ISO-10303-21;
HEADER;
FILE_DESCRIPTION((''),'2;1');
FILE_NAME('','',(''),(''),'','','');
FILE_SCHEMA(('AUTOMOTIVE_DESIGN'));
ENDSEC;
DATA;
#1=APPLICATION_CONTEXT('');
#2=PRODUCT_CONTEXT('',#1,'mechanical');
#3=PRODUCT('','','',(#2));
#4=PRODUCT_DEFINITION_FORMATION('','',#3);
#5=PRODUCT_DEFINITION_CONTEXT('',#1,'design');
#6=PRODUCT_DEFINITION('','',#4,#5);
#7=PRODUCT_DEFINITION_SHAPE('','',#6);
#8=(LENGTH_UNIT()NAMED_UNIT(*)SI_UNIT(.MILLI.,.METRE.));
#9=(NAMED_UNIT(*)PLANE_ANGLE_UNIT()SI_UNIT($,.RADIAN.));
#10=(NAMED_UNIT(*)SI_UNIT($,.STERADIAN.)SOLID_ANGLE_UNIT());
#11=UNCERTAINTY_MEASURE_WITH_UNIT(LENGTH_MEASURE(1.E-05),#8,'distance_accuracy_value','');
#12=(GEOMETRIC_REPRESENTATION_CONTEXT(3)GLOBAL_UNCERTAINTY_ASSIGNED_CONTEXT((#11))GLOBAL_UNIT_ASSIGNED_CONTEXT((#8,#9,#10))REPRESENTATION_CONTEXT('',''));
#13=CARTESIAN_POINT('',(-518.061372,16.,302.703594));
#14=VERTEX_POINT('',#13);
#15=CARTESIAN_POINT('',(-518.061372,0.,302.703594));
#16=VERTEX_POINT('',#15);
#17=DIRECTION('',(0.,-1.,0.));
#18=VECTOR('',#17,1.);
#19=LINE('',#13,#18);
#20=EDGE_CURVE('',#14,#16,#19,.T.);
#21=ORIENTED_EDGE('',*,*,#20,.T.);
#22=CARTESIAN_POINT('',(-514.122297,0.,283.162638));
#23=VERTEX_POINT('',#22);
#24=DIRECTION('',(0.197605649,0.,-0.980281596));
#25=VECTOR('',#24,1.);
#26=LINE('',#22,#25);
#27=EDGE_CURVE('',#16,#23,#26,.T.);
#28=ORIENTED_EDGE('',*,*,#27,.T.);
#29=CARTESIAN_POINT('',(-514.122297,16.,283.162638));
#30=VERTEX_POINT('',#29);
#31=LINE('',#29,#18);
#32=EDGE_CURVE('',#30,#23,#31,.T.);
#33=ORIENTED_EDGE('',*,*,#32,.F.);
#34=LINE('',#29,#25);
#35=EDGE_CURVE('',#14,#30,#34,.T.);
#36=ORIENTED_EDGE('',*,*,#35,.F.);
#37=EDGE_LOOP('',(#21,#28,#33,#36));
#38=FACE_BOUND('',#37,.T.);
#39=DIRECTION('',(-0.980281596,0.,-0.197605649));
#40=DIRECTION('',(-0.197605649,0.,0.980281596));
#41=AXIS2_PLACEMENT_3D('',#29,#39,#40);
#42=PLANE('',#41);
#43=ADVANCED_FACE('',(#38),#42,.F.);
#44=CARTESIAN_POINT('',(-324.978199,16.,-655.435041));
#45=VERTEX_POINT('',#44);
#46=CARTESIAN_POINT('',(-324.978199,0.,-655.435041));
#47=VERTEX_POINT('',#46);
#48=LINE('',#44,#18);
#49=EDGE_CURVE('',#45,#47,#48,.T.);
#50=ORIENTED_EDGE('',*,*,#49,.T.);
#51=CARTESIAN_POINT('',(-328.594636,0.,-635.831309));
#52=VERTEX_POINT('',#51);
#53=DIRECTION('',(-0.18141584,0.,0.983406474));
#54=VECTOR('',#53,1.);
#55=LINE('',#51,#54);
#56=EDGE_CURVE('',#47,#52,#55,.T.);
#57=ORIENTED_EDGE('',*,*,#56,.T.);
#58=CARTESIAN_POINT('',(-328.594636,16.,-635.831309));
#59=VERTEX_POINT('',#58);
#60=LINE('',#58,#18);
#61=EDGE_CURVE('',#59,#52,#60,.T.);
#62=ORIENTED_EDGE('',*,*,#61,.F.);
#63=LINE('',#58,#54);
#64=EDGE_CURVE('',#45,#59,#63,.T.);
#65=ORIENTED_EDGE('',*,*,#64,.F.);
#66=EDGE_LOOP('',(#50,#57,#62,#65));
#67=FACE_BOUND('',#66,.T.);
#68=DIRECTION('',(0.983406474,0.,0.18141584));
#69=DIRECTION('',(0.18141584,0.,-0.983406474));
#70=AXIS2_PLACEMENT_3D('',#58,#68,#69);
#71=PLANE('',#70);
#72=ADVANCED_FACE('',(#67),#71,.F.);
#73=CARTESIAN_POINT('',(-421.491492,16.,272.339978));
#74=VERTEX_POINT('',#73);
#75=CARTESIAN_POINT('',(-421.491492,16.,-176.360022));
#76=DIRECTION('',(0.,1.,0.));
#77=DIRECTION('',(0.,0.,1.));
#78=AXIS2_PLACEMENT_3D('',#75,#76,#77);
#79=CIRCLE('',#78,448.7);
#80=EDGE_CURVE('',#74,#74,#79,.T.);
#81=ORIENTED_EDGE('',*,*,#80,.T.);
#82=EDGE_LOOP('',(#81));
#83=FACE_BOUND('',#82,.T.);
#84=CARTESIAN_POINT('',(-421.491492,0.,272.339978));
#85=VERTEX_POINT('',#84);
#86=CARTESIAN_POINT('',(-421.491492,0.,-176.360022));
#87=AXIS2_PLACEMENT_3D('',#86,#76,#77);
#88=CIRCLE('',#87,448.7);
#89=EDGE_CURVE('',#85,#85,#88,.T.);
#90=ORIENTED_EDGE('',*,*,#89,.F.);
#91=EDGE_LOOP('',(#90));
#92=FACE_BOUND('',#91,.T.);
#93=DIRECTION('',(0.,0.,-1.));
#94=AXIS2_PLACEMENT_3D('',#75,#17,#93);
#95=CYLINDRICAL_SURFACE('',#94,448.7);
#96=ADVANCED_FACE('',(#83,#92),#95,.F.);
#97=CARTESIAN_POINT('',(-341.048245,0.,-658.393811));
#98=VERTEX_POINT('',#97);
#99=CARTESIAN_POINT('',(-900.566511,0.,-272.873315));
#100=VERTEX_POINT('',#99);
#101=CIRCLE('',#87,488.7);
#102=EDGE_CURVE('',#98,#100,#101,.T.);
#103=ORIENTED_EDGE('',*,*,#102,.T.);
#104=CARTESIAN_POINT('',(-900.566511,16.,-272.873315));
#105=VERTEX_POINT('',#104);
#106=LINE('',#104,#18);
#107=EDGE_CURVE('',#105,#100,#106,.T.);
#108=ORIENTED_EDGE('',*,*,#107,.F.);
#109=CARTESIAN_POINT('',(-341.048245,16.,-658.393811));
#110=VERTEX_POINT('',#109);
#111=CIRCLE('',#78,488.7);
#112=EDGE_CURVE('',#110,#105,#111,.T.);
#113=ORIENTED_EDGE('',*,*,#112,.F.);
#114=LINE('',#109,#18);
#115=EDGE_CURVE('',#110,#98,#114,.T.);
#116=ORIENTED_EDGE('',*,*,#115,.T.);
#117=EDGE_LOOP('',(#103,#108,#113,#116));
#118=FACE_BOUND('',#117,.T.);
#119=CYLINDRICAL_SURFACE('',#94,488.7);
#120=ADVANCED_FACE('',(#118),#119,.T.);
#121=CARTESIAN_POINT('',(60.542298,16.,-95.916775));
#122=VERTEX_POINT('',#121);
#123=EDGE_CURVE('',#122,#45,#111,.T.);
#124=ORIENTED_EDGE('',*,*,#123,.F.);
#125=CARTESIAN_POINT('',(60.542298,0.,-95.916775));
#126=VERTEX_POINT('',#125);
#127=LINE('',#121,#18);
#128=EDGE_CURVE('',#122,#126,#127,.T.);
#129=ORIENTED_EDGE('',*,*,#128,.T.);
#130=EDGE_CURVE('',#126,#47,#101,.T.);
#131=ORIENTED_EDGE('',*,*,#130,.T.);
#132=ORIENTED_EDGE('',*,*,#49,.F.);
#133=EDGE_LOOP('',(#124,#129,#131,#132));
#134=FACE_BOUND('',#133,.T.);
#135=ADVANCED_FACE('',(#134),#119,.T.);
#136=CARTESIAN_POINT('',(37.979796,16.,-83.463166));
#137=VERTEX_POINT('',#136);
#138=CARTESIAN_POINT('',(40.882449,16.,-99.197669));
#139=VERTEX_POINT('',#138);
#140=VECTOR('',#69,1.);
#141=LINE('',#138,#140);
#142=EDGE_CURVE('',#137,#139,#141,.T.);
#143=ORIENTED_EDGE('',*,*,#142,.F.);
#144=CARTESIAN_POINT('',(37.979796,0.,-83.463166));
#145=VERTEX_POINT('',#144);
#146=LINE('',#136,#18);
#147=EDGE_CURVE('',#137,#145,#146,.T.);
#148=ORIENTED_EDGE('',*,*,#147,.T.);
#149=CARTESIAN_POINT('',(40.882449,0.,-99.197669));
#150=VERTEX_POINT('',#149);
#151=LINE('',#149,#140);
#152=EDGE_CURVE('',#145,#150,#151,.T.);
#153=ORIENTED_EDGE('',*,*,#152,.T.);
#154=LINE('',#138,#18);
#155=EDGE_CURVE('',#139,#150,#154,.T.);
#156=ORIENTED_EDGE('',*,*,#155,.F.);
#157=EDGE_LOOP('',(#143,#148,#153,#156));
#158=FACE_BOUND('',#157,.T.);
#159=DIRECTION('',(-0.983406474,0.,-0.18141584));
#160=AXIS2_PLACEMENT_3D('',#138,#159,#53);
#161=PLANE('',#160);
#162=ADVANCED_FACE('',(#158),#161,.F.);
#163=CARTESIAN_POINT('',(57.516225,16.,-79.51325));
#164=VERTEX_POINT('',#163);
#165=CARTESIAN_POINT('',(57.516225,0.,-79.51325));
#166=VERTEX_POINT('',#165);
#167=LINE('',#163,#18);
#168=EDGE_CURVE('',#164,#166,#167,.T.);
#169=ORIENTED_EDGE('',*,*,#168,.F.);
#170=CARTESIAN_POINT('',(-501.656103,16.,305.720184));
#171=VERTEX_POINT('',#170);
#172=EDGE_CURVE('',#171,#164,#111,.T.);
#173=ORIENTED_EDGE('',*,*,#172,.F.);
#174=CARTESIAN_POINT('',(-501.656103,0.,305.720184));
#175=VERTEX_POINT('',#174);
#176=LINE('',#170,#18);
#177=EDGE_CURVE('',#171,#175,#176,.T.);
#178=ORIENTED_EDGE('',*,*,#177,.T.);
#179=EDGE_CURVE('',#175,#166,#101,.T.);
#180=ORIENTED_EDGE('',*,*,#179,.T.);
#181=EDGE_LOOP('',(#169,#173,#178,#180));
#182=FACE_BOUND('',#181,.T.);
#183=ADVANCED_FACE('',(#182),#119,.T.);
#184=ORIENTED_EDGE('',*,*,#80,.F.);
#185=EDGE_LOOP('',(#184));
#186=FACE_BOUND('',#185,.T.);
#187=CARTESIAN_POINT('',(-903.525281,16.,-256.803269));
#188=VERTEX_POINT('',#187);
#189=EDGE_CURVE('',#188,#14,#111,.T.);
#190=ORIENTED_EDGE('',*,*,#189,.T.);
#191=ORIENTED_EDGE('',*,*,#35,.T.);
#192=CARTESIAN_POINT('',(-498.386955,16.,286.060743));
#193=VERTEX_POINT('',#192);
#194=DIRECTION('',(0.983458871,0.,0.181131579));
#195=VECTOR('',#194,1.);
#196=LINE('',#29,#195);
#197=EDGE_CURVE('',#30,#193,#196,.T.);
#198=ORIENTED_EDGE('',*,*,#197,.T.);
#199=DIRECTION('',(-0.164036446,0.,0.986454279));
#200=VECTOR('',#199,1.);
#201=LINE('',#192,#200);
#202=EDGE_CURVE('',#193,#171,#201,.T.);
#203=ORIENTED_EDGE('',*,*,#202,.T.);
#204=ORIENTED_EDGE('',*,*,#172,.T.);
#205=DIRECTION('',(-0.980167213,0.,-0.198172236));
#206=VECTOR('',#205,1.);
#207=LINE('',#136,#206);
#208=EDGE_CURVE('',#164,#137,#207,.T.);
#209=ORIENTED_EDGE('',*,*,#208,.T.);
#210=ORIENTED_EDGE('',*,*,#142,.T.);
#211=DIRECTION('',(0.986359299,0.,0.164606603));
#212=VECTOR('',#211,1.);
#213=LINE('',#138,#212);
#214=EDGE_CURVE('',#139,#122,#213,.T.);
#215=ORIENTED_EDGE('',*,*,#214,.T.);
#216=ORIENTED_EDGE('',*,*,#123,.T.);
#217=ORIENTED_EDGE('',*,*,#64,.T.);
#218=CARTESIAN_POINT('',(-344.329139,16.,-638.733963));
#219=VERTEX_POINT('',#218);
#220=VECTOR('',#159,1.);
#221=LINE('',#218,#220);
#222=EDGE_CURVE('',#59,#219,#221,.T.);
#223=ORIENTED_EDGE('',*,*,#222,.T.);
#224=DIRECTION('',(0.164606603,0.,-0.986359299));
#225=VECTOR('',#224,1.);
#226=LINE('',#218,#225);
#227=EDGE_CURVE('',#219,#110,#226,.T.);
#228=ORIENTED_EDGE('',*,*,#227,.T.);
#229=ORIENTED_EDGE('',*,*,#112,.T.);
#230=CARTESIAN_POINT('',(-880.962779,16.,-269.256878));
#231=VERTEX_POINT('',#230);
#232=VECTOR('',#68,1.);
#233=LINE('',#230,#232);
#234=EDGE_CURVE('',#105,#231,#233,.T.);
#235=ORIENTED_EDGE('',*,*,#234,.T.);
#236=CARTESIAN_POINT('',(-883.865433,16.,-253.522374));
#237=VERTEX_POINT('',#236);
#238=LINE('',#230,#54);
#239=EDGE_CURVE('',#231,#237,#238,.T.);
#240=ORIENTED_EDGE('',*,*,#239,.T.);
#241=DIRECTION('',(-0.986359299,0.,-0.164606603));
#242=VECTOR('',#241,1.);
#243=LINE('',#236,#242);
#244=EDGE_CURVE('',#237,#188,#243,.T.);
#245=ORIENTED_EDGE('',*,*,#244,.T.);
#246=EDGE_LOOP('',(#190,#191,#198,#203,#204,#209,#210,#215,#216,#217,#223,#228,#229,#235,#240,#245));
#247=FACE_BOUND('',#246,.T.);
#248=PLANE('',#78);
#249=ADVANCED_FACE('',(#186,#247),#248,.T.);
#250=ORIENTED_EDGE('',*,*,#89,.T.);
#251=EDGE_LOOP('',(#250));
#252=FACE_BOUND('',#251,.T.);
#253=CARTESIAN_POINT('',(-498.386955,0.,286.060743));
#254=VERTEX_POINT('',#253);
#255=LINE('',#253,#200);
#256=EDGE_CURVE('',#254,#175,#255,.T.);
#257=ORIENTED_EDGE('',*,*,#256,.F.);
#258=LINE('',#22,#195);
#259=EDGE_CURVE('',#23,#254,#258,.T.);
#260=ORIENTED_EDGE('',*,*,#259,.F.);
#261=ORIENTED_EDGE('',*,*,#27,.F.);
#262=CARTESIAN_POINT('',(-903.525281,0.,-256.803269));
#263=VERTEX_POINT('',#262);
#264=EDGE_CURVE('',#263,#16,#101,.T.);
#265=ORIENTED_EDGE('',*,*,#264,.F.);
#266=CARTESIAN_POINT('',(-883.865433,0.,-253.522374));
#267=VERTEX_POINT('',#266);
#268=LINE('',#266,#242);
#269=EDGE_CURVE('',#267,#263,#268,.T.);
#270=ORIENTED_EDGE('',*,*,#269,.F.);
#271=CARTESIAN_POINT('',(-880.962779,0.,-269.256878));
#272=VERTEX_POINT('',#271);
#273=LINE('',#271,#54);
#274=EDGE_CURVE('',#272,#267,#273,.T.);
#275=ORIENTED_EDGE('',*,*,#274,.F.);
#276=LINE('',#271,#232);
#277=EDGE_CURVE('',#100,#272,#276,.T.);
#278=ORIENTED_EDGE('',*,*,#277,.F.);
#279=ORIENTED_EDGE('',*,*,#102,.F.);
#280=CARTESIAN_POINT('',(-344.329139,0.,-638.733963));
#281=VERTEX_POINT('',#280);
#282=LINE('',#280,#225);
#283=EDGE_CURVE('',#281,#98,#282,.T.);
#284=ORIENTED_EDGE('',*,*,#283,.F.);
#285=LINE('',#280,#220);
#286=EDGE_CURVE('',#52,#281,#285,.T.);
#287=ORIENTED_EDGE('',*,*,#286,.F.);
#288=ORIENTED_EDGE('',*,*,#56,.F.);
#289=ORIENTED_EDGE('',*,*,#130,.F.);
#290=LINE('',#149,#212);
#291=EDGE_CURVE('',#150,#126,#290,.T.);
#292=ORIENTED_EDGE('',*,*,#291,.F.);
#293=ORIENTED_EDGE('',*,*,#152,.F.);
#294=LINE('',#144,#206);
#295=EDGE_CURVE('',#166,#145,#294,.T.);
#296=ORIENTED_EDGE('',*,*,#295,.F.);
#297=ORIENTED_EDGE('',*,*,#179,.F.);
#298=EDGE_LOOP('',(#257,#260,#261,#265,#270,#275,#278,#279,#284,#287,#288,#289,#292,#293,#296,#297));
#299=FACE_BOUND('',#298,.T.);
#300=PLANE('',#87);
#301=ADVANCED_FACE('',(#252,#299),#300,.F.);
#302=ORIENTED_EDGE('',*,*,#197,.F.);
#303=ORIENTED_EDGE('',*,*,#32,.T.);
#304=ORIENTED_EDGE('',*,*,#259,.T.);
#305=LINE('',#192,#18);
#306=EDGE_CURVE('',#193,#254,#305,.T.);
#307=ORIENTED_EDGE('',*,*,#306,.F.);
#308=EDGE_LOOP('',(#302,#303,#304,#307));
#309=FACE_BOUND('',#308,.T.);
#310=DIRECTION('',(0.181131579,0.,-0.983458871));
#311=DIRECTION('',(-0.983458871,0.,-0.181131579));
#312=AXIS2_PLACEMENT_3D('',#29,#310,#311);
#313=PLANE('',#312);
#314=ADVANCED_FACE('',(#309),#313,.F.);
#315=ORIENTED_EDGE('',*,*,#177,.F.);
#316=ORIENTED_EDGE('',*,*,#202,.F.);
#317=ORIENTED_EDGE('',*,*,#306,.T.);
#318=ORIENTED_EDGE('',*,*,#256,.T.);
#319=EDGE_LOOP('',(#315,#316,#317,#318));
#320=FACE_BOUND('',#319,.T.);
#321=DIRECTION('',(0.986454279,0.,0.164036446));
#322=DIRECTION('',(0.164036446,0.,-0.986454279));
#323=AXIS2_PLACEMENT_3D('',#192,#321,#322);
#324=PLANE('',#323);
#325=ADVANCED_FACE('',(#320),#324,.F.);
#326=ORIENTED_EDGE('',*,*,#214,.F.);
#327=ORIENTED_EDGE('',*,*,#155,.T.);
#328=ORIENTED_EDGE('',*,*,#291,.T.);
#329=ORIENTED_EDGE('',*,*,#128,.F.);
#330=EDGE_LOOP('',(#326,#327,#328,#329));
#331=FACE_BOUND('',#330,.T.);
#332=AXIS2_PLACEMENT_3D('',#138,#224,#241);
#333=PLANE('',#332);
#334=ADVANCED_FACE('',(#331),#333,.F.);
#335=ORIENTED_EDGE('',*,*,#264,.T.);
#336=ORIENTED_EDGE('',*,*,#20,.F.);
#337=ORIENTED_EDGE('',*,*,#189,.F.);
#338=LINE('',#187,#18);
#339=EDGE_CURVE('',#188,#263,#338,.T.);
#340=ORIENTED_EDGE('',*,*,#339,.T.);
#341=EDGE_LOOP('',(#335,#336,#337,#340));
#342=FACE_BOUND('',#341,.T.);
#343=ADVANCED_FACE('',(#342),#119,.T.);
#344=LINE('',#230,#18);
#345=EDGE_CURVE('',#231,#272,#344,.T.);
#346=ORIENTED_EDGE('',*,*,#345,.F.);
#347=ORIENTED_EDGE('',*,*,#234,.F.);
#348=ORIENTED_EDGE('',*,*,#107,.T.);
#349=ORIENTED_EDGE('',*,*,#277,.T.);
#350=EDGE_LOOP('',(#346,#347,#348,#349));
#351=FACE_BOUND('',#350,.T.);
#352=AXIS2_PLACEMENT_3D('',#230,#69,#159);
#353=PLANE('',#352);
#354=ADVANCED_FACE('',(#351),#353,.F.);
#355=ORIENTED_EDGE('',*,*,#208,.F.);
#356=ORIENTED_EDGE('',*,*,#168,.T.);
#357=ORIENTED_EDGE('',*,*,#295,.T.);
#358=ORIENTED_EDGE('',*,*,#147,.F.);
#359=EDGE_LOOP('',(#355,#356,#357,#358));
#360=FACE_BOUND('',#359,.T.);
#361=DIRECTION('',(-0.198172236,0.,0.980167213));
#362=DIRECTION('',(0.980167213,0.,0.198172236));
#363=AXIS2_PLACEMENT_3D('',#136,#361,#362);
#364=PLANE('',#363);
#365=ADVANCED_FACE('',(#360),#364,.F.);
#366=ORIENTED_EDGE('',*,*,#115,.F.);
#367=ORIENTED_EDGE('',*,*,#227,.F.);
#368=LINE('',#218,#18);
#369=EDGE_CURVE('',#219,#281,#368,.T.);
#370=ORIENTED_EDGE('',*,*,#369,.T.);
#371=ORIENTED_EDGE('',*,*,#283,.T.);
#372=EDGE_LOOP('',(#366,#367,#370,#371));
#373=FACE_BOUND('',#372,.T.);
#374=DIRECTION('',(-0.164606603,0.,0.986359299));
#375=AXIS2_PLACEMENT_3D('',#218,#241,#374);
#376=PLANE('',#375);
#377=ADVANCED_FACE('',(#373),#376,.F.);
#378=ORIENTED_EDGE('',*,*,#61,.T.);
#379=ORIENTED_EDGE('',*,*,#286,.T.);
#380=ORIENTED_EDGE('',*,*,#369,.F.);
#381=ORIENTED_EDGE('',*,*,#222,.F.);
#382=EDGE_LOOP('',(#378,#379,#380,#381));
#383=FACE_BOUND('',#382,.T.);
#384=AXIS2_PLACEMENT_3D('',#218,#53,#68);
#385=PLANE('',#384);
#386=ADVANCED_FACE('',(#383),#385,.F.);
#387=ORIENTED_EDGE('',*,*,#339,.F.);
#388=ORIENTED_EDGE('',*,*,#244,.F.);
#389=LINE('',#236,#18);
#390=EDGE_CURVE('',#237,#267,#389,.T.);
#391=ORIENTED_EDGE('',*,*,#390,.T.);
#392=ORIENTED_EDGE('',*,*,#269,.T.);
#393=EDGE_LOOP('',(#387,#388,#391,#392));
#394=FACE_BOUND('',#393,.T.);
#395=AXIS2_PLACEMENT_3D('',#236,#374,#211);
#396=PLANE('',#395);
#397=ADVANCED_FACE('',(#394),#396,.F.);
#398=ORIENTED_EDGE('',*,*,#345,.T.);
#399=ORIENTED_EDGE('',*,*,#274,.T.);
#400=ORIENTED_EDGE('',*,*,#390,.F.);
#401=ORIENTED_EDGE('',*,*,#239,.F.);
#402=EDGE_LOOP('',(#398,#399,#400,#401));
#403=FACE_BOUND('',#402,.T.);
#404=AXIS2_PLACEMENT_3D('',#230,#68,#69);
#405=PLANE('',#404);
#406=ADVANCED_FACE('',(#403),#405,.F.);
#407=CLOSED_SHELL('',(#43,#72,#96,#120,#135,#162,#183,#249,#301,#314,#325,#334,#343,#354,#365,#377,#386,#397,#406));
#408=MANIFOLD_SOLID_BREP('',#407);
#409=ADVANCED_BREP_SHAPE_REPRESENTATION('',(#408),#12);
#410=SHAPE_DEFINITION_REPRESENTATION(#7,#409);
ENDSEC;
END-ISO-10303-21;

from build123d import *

# Parameters (mm, degrees)
SKETCH_1_R      = 448.7
EXTRUDE_2_DEPTH = 16


with BuildPart() as part:
    # Эскиз1 → Бобышка-Вытянуть2 (new body)
    with BuildSketch(Plane(origin=(0, 0, 0), x_dir=(1, 0, 0), z_dir=(0, 1, 0))):
        with BuildLine():
            Line((-344.32913914, 638.733962842), (-328.594635558, 635.831309398))
            Line((-328.594635558, 635.831309398), (-324.978198629, 655.435041258))
            ThreePointArc((-324.978198629, 655.435041258), (-19.068388145, 453.638466212), (60.542297577, 95.916774711))
            Line((60.542297577, 95.916774711), (40.882449344, 99.197669255))
            Line((40.882449344, 99.197669255), (37.979795899, 83.463165673))
            Line((37.979795899, 83.463165673), (57.516225139, 79.513249965))
            ThreePointArc((57.516225139, 79.513249965), (-144.23681545, -226.079457497), (-501.65610266, -305.720184329))
            Line((-501.65610266, -305.720184329), (-498.386954822, -286.060743027))
            Line((-498.386954822, -286.060743027), (-514.12229676, -283.162637766))
            Line((-514.12229676, -283.162637766), (-518.061372416, -302.703594153))
            ThreePointArc((-518.061372416, -302.703594153), (-823.9309706, -100.894655009), (-903.52528096, 256.803268902))
            Line((-903.52528096, 256.803268902), (-883.865432727, 253.522374358))
            Line((-883.865432727, 253.522374358), (-880.962779283, 269.256877941))
            Line((-880.962779283, 269.256877941), (-900.566511143, 272.873314869))
            ThreePointArc((-900.566511143, 272.873314869), (-698.769936097, 578.783125354), (-341.048244596, 658.393811076))
            Line((-341.048244596, 658.393811076), (-344.32913914, 638.733962842))
        make_face()
        with Locations((-421.491491692, 176.360021807)):
            Circle(SKETCH_1_R, mode=Mode.SUBTRACT)
    extrude(amount=EXTRUDE_2_DEPTH)


solid = part.part
